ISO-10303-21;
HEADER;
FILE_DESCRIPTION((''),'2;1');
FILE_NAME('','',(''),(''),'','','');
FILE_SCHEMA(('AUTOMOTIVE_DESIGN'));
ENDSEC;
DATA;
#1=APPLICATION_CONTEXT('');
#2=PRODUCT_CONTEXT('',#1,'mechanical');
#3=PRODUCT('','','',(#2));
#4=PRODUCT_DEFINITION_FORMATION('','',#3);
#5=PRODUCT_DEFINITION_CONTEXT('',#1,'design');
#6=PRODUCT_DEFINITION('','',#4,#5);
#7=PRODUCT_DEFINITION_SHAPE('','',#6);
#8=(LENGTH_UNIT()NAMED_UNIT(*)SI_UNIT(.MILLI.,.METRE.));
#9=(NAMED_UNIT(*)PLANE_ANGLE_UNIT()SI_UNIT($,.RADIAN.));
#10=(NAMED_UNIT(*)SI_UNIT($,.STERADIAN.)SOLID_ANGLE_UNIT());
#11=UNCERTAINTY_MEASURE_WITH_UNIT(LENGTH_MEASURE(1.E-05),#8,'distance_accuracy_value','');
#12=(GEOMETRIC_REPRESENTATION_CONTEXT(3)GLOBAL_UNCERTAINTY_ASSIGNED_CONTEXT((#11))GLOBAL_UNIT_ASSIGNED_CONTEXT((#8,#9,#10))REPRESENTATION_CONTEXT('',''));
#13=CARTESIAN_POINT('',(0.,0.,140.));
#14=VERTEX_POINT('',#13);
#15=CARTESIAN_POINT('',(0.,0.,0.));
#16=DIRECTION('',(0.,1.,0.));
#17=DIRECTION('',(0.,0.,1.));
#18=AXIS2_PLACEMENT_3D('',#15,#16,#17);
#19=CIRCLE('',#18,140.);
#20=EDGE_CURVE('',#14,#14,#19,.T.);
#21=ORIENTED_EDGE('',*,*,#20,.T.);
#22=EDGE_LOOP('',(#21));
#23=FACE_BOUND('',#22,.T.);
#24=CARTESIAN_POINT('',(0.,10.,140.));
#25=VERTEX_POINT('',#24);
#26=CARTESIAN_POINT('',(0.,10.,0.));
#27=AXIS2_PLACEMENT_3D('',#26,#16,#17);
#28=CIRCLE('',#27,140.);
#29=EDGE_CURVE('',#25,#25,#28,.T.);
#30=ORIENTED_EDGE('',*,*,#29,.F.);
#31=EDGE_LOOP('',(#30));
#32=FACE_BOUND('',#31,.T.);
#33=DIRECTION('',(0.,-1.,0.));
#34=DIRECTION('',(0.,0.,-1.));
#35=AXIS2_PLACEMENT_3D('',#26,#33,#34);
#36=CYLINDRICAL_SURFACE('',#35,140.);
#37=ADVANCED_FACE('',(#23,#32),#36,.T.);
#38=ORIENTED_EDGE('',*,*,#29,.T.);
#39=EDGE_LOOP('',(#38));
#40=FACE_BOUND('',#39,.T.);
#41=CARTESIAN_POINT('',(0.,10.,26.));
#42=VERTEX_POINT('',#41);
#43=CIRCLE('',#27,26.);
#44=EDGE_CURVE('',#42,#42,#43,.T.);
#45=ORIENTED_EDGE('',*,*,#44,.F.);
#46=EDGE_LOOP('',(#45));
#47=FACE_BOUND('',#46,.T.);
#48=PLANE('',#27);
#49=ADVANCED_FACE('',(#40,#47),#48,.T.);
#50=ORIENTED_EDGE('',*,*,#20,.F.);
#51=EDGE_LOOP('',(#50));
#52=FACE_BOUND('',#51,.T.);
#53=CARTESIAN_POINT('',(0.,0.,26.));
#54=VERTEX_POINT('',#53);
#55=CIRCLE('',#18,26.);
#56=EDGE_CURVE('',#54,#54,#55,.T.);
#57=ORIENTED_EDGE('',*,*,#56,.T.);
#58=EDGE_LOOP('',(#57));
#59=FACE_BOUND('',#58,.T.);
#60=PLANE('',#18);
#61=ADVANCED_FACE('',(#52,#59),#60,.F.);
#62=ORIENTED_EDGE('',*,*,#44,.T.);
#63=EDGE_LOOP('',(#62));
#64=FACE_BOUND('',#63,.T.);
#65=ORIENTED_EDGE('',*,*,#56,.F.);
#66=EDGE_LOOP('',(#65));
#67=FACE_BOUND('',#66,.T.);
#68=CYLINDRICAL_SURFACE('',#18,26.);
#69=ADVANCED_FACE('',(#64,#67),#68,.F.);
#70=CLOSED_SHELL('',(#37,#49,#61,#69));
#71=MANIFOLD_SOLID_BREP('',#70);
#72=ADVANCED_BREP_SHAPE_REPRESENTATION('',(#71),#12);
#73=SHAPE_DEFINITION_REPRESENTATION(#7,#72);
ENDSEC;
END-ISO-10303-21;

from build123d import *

# Parameters (mm, degrees)
IZIM1_R                     = 140
Y_KSEKLIK_EKSTR_ZYON1_DEPTH = 10
IZIM2_R                     = 26
KES_EKSTR_ZYON1_DEPTH       = 10


with BuildPart() as part:
    # Çizim1 → Yükseklik-Ekstrüzyon1 (new body)
    with BuildSketch(Plane(origin=(0, 0, 0), x_dir=(1, 0, 0), z_dir=(0, 1, 0))):
        with Locations(Location((0, 0, 0), (0, 0, 270))):
            Circle(IZIM1_R)
    extrude(amount=Y_KSEKLIK_EKSTR_ZYON1_DEPTH)

    # Çizim2 → Kes-Ekstrüzyon1 (cut)
    with BuildSketch(Plane(origin=(0, 10, 0), x_dir=(1, 0, 0), z_dir=(0, 1, 0))):
        with Locations(Location((0, 0, 0), (0, 0, 270))):
            Circle(IZIM2_R)
    extrude(amount=-KES_EKSTR_ZYON1_DEPTH, mode=Mode.SUBTRACT)


solid = part.part
